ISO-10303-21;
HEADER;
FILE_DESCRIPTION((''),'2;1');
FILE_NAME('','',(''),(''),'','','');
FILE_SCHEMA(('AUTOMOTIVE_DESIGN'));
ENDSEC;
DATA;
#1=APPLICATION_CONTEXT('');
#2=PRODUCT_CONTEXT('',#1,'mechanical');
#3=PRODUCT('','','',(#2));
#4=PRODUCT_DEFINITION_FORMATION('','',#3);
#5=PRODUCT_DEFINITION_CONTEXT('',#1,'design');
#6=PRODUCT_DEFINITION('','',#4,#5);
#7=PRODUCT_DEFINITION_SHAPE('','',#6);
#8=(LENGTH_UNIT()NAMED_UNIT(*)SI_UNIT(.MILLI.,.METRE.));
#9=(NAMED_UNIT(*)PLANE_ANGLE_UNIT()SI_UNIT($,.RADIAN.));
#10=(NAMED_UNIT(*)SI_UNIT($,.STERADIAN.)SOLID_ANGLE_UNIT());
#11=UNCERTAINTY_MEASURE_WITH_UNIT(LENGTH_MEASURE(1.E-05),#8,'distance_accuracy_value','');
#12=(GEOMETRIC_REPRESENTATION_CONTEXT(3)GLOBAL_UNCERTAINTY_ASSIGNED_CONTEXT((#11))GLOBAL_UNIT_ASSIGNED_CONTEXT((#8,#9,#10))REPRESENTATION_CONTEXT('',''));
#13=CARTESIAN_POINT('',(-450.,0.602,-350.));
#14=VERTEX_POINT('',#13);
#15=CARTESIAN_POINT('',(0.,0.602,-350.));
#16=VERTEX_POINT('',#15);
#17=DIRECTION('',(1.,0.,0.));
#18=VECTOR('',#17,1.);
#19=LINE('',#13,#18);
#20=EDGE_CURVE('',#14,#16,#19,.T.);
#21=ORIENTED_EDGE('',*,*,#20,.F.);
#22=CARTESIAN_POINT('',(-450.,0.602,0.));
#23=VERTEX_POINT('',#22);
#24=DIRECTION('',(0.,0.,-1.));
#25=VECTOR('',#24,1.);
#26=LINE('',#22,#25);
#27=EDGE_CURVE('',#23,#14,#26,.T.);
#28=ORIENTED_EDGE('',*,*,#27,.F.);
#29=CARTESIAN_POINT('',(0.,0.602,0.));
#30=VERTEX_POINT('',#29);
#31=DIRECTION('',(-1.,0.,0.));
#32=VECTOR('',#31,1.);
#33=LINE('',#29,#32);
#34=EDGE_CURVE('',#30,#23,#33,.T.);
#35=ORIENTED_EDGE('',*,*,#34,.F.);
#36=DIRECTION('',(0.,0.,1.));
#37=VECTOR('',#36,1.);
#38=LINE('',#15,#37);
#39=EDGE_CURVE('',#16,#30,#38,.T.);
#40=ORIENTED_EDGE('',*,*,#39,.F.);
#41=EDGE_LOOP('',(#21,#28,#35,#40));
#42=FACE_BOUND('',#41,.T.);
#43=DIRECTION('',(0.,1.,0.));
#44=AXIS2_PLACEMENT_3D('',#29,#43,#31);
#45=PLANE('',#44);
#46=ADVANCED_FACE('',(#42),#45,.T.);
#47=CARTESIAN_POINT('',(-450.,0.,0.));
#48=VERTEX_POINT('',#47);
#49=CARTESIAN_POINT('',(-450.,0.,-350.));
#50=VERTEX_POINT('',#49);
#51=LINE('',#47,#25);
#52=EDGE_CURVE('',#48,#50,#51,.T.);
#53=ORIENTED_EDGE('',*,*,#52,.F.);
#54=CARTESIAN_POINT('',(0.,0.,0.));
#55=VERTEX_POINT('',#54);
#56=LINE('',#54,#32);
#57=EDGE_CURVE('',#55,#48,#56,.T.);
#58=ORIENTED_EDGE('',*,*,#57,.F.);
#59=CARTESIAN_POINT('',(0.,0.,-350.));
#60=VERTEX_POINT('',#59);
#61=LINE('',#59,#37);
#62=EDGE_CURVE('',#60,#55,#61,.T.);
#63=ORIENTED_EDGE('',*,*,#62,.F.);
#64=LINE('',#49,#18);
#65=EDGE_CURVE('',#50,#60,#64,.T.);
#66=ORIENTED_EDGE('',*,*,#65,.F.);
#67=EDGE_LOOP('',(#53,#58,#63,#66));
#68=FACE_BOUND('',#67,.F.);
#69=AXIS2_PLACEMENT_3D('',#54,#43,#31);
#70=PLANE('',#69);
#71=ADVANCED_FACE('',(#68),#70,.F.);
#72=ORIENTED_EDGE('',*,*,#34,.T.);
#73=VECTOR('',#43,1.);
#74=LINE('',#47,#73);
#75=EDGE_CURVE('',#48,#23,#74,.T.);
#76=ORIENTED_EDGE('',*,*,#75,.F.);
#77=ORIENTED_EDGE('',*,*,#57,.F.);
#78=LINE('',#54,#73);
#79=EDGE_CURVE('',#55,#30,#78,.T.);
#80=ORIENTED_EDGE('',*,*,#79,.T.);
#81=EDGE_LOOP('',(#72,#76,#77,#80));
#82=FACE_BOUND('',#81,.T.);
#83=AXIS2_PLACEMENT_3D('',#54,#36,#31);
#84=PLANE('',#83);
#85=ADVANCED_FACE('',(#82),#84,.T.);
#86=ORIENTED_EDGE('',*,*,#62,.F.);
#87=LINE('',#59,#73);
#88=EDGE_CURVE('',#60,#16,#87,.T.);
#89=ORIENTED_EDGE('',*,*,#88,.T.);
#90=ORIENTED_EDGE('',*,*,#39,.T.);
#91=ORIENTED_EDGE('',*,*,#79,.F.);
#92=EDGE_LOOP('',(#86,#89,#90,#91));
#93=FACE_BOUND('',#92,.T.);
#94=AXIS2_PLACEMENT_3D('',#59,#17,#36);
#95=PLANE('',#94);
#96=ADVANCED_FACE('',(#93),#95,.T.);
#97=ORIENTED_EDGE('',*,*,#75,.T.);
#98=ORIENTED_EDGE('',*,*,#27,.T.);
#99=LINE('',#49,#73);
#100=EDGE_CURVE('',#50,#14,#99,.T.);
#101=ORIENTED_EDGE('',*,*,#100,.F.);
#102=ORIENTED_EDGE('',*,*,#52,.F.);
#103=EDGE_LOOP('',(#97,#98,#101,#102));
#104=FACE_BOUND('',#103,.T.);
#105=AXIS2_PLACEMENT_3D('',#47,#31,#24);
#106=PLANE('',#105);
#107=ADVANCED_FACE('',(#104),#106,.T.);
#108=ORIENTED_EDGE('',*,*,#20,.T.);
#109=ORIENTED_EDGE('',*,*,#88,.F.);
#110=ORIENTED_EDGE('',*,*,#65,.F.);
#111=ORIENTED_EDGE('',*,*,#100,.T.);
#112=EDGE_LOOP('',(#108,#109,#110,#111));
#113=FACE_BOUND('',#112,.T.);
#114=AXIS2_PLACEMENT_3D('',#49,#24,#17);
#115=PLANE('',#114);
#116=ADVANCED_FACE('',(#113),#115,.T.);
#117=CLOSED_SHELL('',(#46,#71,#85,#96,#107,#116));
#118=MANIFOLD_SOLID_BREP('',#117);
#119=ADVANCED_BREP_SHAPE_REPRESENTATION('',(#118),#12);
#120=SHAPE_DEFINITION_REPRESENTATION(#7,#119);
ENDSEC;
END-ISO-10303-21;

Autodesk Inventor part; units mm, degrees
ref_plane "YZ Plane" through (0, 0, 0) normal (1, 0, 0) x (0, 1, 0)
ref_plane "XZ Plane" through (0, 0, 0) normal (0, 1, 0) x (-1, 0, 0)
ref_plane "XY Plane" through (0, 0, 0) normal (0, 0, 1) x (1, 0, 0)
sketch "Sketch1" plane through (0, 0, 0) normal (0, 1, 0) x (-1, 0, 0)
  line L0 (0, 0) -> (450, 0)
  line L1 (450, 0) -> (450, -350)
  line L2 (450, -350) -> (0, -350)
  line L3 (0, -350) -> (0, 0)
  line L4 (450, -350) -> (450, 0)
  line L5 (450, -350) -> (0, -350)
  line L6 (0, -350) -> (0, 0)
  line L7 (450, 0) -> (0, 0)
  line L8 (450, -350) -> (0, -350)
extrude "Extrusion2" add sketch "Sketch1" along normal blind 0.602
equation "\"BendRadius\" = Thickness"
equation "\"BendReliefWidth\" = Thickness"
equation "\"BendReliefDepth\" = 0.5 * Thickness"
equation "\"CornerReliefSize\" = 4 * Thickness"
equation "\"MinimumRemnant\" = 2 * Thickness"
equation "\"TransitionRadius\" = BendRadius"
equation "\"JacobiRadiusSize\" = BendRadius"
equation "\"GapSize\" = Thickness"
equation "\"Thickness\" = 0.602"
properties part number "project base plate" material "Steel, Galvanized"
